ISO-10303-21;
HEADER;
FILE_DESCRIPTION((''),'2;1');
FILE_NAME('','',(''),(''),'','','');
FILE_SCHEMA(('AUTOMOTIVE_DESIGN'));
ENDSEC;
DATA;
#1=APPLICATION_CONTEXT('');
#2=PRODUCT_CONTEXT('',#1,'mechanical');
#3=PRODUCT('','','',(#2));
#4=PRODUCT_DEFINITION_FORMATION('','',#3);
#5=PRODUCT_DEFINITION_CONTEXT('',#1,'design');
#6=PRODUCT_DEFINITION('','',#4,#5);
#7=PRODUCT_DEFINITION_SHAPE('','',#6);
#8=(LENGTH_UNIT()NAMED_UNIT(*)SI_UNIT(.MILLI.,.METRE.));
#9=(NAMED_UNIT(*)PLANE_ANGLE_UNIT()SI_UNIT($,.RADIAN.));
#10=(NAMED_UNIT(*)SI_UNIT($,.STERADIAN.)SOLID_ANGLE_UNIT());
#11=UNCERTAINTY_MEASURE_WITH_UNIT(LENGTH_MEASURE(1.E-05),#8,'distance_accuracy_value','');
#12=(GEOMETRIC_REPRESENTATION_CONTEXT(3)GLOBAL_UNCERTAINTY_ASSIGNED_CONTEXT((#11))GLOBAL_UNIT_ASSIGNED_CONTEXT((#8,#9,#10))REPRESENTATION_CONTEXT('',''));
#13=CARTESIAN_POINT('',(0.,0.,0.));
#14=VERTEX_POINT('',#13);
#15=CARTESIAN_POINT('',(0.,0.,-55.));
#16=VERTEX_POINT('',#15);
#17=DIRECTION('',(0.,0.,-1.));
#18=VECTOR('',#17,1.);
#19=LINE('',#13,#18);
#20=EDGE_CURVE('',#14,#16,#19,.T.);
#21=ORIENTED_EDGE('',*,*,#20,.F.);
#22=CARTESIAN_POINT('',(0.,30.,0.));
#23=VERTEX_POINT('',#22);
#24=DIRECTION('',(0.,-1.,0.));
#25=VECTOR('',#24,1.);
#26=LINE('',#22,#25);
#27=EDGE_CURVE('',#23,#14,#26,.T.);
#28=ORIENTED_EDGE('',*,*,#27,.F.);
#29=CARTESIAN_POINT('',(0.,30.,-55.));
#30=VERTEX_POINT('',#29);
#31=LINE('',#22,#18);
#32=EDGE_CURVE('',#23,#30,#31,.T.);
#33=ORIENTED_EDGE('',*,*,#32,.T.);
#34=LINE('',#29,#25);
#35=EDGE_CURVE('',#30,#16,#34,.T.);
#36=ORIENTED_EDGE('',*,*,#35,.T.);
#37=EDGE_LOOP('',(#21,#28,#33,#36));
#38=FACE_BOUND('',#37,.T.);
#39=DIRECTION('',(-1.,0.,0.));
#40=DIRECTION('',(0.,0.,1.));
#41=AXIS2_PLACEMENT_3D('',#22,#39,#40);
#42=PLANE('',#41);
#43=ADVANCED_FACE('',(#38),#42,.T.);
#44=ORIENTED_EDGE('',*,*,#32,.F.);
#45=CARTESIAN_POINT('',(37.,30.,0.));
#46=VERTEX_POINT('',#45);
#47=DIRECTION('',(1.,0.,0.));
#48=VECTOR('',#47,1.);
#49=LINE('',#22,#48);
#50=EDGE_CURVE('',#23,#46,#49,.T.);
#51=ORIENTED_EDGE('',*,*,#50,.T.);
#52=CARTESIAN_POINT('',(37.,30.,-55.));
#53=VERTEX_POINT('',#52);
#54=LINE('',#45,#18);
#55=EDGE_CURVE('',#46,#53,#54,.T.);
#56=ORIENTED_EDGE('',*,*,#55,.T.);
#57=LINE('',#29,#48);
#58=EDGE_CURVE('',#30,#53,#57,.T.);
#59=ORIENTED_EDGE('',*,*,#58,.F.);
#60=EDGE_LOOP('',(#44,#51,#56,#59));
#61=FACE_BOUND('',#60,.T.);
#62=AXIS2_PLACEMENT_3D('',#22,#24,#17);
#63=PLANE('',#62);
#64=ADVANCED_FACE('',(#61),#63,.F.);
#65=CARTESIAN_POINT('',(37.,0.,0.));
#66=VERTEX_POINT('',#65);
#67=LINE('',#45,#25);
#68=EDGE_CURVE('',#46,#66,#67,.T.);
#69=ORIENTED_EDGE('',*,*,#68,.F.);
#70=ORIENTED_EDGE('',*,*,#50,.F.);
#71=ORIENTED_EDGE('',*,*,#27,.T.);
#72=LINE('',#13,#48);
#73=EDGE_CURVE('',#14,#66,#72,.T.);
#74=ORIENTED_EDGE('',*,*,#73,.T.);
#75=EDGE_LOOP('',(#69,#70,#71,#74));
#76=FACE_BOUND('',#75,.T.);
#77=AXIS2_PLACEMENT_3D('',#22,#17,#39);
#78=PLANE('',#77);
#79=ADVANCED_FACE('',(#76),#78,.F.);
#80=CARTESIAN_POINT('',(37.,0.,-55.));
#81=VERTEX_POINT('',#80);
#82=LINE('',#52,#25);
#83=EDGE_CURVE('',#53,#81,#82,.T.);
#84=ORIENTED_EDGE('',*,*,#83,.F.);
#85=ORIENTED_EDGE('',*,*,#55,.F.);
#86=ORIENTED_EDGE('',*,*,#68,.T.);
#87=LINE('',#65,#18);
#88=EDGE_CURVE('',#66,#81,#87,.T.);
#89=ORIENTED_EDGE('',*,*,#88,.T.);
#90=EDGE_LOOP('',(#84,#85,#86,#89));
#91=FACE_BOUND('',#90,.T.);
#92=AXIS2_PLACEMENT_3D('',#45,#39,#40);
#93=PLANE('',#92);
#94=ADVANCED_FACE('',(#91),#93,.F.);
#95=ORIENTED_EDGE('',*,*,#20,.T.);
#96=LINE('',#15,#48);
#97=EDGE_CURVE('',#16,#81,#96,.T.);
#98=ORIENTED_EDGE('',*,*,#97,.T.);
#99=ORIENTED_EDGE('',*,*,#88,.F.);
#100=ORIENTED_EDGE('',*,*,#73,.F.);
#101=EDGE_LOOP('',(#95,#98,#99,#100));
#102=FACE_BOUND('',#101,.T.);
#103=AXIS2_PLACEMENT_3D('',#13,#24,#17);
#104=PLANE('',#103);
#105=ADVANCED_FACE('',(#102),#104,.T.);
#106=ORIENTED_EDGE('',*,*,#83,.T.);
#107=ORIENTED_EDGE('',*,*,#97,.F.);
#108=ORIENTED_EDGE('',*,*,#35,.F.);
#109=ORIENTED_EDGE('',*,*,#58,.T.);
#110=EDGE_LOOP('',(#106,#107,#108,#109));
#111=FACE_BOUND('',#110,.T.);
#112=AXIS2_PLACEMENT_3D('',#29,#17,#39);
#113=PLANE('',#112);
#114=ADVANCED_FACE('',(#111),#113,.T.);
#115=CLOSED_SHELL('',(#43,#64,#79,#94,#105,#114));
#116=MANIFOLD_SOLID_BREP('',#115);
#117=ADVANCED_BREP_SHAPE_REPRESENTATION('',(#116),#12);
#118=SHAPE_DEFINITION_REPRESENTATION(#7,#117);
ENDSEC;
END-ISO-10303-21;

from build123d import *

# Parameters (mm, degrees)
ESQUISSE1_W        = 37
ESQUISSE1_H        = 55
BOSS_EXTRU_1_DEPTH = 30


with BuildPart() as part:
    # Esquisse1 → Boss.-Extru.1 (new body)
    with BuildSketch(Plane(origin=(0, 0, 0), x_dir=(1, 0, 0), z_dir=(0, 1, 0))):
        with Locations((18.5, 27.5)):
            Rectangle(ESQUISSE1_W, ESQUISSE1_H)
    extrude(amount=BOSS_EXTRU_1_DEPTH)


solid = part.part
